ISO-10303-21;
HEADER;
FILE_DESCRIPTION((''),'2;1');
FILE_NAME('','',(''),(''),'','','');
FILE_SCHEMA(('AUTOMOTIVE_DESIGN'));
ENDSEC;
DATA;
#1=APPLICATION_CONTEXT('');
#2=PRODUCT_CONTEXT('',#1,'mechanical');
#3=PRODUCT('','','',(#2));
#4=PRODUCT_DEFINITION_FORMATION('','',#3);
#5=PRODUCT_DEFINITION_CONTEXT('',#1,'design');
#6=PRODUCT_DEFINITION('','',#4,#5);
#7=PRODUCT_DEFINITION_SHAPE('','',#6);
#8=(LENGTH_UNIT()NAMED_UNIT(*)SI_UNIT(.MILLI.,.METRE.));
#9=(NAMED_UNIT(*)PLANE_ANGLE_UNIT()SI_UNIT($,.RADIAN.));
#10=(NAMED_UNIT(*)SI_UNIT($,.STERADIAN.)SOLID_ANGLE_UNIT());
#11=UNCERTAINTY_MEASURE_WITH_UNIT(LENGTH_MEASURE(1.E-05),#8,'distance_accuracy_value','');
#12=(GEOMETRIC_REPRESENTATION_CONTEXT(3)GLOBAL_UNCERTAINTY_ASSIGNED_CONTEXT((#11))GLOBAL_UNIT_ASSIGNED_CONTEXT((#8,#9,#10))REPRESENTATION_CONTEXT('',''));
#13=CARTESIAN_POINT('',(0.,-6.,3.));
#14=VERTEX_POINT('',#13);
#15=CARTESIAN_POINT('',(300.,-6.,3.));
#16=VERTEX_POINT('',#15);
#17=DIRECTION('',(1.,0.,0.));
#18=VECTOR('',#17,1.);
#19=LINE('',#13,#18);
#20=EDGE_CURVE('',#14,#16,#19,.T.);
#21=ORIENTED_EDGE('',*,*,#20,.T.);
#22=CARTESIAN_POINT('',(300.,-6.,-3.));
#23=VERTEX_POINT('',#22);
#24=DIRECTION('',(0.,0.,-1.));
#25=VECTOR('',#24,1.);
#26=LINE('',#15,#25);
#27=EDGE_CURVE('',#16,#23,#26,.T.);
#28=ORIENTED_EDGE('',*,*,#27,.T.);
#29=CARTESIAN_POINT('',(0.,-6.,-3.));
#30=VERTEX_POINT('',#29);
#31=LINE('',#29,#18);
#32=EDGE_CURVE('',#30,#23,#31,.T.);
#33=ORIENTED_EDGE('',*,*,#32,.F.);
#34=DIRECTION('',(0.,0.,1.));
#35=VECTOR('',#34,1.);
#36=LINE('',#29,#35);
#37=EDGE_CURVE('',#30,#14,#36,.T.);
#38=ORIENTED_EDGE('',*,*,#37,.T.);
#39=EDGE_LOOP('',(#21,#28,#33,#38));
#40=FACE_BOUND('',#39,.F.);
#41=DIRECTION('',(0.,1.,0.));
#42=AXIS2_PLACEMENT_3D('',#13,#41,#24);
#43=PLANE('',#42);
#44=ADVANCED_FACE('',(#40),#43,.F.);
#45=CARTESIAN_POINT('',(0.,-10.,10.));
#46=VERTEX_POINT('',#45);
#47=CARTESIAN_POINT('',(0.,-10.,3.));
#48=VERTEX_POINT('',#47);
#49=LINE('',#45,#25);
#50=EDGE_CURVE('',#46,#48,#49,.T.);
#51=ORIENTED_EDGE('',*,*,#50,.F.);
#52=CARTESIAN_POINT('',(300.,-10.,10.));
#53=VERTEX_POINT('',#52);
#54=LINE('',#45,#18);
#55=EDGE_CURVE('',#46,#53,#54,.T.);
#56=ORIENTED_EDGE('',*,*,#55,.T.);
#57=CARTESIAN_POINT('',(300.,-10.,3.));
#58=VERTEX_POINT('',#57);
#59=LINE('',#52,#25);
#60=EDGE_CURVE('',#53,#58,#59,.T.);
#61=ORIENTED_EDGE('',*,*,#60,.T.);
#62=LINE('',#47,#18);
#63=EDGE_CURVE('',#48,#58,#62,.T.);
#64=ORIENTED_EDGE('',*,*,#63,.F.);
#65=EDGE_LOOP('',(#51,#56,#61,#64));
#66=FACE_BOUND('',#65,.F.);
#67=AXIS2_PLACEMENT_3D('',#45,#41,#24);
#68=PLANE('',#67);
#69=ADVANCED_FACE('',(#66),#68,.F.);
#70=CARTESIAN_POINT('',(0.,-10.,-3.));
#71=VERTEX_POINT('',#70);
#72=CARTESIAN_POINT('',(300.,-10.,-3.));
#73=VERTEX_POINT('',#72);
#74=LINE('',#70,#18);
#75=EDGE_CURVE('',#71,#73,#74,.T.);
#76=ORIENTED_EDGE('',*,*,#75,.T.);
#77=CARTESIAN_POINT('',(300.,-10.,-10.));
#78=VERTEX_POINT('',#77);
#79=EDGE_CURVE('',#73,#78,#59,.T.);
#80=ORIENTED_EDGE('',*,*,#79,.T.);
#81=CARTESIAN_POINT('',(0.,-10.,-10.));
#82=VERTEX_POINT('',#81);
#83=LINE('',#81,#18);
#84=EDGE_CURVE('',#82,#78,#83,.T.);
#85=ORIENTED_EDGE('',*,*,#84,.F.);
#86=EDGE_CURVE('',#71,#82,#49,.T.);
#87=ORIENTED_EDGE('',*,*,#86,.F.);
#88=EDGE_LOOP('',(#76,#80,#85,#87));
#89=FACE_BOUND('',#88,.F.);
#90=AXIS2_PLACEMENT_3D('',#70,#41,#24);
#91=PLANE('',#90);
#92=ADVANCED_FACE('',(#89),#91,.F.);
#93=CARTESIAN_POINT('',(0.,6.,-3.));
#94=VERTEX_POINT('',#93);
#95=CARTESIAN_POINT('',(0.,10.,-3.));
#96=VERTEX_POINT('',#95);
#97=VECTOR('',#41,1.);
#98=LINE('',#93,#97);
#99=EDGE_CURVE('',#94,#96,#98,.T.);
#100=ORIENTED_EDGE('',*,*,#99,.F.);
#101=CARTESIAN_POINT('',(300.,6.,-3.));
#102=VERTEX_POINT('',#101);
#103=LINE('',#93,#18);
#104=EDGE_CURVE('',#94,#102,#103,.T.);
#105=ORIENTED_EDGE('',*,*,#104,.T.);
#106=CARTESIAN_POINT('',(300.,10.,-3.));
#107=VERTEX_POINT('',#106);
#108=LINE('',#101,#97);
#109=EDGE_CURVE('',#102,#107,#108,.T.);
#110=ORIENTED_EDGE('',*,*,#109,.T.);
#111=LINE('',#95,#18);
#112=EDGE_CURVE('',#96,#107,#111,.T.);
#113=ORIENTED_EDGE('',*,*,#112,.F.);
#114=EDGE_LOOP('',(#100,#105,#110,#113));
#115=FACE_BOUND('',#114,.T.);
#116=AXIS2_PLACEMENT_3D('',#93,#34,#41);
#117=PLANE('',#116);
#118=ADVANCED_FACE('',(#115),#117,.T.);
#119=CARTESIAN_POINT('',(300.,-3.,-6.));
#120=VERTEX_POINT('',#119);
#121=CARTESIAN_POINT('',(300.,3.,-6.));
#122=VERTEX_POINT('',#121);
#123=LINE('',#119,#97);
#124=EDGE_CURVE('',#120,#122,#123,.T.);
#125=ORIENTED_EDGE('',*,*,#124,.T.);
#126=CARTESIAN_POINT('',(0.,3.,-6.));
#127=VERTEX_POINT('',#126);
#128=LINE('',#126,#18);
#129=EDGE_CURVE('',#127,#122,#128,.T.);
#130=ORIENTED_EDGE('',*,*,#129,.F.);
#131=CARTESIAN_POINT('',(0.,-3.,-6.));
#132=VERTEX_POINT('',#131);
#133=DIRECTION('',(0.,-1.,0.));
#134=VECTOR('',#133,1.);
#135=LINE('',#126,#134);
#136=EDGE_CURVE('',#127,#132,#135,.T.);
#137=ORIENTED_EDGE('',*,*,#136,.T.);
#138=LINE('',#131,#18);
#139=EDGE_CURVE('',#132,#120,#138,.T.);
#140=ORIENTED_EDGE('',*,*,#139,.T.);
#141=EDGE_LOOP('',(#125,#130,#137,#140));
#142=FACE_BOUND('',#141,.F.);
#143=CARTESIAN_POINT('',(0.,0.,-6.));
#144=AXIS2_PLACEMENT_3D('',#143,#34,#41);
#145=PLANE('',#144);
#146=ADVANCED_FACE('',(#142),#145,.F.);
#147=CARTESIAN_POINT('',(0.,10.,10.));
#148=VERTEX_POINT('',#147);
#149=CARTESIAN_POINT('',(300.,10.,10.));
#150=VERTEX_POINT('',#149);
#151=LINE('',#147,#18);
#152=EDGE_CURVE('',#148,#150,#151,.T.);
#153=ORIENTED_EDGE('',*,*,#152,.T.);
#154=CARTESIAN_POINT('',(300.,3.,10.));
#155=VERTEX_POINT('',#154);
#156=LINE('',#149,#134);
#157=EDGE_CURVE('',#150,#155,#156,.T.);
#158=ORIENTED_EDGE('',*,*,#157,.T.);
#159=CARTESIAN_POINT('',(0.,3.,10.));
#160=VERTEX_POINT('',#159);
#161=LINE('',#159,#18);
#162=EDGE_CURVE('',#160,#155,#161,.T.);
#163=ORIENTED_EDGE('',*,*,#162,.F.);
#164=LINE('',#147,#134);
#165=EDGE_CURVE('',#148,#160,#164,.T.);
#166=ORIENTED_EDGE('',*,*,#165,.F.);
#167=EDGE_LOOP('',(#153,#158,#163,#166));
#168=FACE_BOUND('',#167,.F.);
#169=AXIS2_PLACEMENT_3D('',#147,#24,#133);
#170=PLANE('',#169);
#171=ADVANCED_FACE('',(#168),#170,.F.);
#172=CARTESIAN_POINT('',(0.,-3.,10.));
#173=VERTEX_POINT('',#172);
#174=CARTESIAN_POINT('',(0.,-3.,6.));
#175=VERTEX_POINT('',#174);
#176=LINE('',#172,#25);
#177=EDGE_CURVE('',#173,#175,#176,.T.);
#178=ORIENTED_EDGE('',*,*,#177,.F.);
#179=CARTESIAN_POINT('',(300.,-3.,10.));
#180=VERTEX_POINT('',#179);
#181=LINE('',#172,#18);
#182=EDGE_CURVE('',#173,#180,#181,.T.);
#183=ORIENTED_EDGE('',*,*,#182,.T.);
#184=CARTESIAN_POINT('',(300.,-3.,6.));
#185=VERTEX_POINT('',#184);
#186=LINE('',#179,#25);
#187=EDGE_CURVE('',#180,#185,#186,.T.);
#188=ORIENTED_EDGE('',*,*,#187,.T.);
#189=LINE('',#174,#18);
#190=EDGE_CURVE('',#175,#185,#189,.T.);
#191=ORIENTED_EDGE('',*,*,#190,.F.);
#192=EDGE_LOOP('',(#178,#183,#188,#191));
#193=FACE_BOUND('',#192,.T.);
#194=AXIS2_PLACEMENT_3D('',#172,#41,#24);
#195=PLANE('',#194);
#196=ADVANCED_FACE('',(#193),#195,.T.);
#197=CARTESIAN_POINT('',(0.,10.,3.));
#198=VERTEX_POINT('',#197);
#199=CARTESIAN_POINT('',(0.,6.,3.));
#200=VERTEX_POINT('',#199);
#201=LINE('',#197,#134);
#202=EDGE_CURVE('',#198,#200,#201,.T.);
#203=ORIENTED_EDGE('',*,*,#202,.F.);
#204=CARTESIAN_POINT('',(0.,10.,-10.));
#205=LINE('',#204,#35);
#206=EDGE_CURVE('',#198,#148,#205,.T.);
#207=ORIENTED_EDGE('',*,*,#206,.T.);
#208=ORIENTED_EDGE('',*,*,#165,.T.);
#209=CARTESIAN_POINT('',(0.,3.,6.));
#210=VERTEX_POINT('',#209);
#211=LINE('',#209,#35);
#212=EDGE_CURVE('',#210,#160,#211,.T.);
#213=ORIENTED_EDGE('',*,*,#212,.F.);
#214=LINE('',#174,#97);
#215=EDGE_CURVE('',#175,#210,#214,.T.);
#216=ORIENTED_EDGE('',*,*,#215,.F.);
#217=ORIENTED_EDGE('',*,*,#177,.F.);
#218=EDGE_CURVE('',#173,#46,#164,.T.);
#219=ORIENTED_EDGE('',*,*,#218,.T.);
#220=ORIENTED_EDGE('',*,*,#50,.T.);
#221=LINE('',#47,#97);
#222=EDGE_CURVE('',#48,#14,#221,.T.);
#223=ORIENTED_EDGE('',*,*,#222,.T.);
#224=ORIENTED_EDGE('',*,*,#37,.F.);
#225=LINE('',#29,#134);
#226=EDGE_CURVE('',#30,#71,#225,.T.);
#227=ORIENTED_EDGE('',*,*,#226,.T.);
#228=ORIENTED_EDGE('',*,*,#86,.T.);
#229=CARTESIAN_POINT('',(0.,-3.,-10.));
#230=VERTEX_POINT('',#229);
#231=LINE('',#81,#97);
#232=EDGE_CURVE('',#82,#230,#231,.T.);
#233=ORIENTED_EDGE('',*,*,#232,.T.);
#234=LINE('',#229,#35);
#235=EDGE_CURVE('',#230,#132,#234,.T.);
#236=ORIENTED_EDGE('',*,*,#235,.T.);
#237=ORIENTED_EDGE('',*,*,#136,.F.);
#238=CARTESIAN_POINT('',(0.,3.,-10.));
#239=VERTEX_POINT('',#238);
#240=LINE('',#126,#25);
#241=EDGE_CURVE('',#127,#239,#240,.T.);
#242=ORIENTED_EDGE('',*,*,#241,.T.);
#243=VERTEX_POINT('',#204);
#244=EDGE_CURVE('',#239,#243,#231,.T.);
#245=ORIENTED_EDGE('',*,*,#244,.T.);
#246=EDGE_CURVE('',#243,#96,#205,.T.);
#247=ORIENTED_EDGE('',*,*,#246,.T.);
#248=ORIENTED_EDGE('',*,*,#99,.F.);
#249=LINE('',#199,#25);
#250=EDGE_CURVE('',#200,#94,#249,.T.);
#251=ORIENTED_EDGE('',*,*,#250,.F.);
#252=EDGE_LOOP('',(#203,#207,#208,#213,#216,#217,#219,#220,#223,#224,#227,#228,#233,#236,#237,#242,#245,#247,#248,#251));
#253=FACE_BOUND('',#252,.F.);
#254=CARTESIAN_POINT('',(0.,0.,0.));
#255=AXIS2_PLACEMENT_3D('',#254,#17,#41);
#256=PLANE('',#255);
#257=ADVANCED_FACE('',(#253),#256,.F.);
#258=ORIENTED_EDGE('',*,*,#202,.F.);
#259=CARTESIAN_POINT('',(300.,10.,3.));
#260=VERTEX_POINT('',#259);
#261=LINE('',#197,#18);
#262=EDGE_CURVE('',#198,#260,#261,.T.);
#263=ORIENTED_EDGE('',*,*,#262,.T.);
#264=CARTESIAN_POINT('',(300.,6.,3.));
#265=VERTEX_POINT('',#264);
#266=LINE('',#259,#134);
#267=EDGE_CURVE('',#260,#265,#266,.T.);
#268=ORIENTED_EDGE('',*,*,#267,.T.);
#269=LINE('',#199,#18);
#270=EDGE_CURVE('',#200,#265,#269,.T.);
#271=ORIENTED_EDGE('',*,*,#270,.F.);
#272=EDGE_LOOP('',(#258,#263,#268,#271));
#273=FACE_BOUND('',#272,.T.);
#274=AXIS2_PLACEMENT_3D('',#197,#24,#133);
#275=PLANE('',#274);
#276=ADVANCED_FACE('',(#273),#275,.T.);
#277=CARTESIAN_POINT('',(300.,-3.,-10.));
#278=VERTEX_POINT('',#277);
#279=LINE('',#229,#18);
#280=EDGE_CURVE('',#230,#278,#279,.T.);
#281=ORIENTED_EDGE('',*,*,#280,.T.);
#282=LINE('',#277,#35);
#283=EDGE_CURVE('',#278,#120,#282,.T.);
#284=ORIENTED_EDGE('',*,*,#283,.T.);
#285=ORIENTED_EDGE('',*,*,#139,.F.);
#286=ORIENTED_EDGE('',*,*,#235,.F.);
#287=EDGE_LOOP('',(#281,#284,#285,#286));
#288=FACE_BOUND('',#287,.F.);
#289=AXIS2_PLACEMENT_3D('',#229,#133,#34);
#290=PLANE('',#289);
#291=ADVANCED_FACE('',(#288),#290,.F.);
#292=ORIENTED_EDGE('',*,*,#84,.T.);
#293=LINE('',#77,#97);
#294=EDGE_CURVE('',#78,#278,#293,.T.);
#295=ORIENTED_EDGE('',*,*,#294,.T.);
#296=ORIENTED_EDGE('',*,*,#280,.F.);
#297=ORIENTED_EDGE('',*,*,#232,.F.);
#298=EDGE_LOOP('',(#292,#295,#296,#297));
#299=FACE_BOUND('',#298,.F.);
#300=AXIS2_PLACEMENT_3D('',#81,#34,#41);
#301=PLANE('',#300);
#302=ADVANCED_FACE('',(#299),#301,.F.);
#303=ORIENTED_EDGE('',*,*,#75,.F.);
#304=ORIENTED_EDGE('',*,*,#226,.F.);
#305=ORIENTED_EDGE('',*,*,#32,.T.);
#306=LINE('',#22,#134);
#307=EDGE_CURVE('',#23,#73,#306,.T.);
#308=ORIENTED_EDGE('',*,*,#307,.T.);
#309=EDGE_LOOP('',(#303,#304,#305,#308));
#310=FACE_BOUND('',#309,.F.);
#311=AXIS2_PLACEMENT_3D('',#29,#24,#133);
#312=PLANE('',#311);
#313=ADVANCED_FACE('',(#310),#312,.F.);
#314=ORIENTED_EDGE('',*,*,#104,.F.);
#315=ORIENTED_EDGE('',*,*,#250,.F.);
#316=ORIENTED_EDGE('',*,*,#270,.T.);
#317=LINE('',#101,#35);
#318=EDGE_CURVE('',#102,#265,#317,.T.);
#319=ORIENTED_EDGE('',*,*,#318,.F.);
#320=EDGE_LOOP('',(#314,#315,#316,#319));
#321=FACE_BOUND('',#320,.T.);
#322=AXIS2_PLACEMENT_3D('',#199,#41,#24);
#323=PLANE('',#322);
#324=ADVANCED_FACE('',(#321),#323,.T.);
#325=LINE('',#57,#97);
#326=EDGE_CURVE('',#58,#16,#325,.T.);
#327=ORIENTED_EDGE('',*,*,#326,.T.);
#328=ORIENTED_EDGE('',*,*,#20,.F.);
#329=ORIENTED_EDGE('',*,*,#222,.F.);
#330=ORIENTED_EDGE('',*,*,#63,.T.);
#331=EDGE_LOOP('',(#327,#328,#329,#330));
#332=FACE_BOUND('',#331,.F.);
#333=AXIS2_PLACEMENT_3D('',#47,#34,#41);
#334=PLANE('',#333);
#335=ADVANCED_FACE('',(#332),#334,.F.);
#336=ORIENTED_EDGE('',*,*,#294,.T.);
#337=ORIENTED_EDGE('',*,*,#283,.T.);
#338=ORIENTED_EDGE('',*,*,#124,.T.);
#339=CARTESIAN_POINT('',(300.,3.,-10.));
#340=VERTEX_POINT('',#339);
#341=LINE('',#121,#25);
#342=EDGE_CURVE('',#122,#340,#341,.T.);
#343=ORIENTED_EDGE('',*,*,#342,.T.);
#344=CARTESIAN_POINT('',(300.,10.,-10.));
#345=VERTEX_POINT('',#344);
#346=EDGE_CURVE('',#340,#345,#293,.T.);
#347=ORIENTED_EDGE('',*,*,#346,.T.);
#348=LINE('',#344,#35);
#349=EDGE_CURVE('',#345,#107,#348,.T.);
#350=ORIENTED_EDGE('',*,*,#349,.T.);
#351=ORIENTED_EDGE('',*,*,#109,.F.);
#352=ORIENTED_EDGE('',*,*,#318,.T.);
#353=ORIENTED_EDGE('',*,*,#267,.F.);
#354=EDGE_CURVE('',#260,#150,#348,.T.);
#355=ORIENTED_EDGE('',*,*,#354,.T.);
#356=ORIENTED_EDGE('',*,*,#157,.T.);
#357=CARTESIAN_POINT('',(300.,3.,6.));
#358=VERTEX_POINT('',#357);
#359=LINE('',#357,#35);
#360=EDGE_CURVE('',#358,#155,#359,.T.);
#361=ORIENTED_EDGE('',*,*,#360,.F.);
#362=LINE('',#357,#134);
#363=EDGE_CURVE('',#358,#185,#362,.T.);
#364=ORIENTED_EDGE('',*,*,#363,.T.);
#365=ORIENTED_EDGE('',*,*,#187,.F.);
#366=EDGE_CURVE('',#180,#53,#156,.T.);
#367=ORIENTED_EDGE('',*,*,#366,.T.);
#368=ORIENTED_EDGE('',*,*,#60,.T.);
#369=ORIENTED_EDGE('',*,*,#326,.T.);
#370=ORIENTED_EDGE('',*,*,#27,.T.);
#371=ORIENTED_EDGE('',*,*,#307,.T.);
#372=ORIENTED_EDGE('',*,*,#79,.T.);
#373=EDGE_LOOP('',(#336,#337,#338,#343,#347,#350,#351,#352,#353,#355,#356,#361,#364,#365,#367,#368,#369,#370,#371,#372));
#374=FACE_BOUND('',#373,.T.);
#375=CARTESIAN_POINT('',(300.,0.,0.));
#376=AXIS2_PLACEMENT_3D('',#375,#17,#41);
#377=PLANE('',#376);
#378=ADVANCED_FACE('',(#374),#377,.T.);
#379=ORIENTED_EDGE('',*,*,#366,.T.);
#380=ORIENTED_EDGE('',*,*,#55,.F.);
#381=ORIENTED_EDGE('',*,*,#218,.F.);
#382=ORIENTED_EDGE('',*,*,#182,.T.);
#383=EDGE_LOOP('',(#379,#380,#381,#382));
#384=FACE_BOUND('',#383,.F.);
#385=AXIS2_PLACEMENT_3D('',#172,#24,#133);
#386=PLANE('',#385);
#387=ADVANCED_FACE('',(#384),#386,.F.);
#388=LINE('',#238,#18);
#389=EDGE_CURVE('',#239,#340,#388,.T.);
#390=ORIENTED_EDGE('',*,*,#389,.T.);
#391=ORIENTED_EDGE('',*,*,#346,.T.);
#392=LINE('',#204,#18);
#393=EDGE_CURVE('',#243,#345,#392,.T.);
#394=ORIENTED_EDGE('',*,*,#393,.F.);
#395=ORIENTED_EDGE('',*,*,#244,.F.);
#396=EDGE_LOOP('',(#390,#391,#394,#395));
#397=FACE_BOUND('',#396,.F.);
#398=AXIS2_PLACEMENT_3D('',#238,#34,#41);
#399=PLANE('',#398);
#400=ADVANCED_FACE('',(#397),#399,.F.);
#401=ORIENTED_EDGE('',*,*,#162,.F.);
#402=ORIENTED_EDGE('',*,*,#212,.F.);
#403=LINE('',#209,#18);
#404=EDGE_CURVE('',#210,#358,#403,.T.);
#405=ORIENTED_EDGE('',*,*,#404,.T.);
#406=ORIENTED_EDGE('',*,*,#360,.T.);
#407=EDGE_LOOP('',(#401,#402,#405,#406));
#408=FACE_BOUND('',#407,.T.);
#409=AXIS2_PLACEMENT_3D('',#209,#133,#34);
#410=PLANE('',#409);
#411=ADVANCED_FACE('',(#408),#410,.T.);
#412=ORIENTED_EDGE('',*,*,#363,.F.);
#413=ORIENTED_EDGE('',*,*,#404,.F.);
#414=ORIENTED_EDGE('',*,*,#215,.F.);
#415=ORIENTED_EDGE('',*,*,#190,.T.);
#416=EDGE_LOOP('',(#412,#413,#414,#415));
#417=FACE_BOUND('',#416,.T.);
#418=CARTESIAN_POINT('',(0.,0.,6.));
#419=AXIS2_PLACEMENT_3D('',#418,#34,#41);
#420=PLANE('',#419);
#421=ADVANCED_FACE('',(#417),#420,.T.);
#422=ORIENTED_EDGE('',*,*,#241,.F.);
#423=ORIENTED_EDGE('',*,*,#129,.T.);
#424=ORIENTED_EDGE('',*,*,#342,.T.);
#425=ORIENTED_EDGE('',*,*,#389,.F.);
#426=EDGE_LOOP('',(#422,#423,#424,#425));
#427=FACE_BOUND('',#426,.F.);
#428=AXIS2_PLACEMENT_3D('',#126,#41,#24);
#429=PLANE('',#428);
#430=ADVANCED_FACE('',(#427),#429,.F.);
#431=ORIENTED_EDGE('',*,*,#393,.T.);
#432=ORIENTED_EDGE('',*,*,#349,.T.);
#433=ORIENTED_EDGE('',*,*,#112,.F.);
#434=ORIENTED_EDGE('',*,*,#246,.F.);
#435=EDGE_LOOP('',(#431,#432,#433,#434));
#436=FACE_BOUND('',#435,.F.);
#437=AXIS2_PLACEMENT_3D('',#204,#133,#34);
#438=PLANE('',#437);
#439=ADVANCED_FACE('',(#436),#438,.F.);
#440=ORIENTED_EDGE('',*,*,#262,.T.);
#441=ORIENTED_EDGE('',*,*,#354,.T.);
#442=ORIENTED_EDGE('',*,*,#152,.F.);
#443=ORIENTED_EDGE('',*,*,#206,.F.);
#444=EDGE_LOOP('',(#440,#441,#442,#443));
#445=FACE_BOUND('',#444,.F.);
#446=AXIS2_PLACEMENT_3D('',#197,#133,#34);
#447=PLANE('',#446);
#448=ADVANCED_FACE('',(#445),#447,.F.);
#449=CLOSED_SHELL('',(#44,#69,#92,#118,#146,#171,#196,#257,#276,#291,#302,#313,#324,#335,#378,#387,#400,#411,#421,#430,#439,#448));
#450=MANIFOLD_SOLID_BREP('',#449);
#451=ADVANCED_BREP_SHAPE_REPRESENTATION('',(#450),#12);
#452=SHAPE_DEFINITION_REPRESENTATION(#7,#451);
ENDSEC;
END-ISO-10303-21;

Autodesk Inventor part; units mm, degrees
ref_plane "YZ Plane" through (0, 0, 0) normal (1, 0, 0) x (0, 1, 0)
ref_plane "XZ Plane" through (0, 0, 0) normal (0, 1, 0) x (-1, 0, 0)
ref_plane "XY Plane" through (0, 0, 0) normal (0, 0, 1) x (1, 0, 0)
sketch "Esquisse1" plane through (0, 0, 0) normal (1, 0, 0) x (0, 1, 0)
  line L0 (10, 10) -> (-10, 10)
  line L1 (-10, 10) -> (-10, -10)
  line L2 (-10, -10) -> (10, -10)
  line L3 (10, -10) -> (10, 10)
  line L4 (10, 3) -> (6, 3)
  line L5 (6, 3) -> (6, -3)
  line L6 (6, -3) -> (10, -3)
  line L7 (10, -3) -> (10, 3)
  line L8 (0, 14.3918) -> (0, -21)
  line L9 (14, 0) -> (-15, 0)
  line L10 (-10, 3) -> (-6, 3)
  line L11 (-6, 3) -> (-6, -3)
  line L12 (-6, -3) -> (-10, -3)
  line L13 (-10, -3) -> (-10, 3)
  line L14 (3, 10) -> (-3, 10)
  line L15 (-3, 10) -> (-3, 6)
  line L16 (-3, 6) -> (3, 6)
  line L17 (3, 6) -> (3, 10)
  line L18 (3, -10) -> (-3, -10)
  line L19 (-3, -10) -> (-3, -6)
  line L20 (-3, -6) -> (3, -6)
  line L21 (3, -6) -> (3, -10)
  point P0 (0, 0)
  point P1 (3, 8)
  point P2 (3, -8)
  dimension "d0" = 20
  dimension "d1" = 6
  dimension "d2" = 4
  dimension "d3" = 6
  dimension "d4" = 4
  dimension "d5" = 3
  dimension "d6" = 0
extrude "Extrusion1" add sketch "Esquisse1" along normal blind 300 contours L3 L4 L5 L9 L8 L16 L17 L0 | L15 L16 L8 L9 L11 L10 L1 L0 | L3 L2 L21 L20 L8 L9 L5 L6 | L8 L20 L19 L2 L1 L12 L11 L9
properties part number "barre_horizontale_support_pinces"
